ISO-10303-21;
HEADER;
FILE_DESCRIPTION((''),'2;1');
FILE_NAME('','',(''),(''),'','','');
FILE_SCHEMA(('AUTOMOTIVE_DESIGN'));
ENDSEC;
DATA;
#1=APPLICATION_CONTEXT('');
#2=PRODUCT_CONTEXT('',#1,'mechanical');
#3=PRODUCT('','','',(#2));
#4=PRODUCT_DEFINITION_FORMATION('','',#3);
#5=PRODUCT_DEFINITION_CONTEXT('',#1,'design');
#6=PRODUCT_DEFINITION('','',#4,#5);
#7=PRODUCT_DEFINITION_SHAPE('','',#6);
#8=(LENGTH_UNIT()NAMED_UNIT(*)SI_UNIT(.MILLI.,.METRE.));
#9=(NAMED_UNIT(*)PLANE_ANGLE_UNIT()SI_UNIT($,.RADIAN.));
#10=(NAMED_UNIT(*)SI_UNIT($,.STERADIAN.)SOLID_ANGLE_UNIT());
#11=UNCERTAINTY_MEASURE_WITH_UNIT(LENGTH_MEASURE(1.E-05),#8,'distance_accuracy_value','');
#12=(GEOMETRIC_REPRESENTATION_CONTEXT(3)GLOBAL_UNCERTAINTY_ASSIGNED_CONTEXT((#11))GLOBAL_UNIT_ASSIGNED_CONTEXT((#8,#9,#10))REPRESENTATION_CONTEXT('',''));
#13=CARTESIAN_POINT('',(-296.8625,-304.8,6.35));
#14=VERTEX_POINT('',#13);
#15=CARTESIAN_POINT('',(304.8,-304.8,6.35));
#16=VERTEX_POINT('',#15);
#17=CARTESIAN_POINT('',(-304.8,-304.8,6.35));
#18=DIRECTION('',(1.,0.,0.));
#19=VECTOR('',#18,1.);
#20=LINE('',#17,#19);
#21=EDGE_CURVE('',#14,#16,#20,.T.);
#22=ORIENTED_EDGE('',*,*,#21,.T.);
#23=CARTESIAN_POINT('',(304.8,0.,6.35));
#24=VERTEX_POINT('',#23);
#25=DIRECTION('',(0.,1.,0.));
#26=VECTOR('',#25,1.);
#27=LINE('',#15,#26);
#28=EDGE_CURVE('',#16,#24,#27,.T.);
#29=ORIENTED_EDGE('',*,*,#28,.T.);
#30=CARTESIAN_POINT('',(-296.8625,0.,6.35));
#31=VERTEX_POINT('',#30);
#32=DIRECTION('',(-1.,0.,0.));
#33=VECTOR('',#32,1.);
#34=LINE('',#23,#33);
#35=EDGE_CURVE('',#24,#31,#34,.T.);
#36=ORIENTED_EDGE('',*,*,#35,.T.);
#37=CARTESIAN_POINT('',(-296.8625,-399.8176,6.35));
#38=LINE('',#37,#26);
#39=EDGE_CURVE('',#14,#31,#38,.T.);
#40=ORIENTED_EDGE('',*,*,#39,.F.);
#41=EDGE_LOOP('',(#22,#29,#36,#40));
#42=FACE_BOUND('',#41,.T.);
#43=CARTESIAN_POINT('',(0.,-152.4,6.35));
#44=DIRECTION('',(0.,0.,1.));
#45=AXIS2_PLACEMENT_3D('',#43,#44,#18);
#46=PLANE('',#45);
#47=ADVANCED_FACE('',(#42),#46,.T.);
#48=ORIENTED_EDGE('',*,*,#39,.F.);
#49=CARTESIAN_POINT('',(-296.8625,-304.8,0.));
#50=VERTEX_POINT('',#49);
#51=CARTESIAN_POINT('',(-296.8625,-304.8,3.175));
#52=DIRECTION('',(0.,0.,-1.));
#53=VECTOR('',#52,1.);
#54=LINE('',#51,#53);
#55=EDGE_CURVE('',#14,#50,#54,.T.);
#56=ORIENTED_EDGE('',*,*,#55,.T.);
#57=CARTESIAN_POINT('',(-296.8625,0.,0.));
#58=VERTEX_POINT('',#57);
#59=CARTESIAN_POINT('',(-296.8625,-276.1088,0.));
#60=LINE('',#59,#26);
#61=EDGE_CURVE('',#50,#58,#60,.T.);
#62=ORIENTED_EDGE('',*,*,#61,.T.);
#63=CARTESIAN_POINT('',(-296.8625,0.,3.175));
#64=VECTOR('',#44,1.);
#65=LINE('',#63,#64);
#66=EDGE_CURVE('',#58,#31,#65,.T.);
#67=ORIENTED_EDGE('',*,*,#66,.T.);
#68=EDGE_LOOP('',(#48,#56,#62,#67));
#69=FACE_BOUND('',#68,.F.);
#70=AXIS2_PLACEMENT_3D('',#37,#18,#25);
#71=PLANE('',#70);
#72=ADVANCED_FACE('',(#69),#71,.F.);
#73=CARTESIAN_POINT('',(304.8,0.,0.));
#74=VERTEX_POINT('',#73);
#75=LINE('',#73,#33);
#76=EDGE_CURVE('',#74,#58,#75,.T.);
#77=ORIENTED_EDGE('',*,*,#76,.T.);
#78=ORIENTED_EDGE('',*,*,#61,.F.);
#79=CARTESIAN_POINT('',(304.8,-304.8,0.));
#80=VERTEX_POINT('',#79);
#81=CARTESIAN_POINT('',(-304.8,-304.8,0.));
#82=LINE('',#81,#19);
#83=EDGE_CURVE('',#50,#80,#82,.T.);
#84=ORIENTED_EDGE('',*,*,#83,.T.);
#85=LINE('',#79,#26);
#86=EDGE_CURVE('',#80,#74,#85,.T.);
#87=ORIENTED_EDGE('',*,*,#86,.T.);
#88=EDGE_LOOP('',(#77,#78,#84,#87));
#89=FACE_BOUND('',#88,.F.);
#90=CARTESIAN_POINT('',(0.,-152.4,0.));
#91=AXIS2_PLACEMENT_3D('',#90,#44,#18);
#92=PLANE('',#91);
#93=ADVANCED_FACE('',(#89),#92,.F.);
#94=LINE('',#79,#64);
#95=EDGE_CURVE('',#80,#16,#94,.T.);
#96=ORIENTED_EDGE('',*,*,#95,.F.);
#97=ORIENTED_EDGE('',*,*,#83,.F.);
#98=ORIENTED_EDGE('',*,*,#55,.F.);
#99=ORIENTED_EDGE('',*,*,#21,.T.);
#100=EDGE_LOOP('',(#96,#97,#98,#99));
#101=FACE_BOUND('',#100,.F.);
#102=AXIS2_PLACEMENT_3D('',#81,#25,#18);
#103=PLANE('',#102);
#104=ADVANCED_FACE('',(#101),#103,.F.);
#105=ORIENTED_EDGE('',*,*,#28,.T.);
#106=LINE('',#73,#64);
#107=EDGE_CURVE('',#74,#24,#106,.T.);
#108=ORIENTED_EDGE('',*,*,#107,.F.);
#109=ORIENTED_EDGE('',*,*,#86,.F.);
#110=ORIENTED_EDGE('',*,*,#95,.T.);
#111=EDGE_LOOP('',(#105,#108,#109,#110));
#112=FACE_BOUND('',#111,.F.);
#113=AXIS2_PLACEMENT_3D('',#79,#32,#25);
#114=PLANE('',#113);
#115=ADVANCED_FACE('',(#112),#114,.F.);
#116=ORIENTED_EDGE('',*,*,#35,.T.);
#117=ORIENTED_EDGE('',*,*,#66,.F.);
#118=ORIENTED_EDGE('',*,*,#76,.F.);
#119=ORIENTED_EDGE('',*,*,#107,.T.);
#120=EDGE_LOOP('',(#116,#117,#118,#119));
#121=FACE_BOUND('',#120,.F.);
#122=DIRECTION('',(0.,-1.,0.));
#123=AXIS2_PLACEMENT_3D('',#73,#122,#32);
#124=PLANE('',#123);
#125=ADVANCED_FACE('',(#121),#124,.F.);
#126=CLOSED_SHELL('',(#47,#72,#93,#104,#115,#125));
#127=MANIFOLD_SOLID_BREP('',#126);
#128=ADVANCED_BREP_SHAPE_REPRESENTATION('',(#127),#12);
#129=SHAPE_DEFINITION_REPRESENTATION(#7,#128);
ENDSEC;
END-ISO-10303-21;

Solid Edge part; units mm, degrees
sketch "Sketch1" plane through (0, 0, 0) normal (0, 0, 1) x (1, 0, 0)
  line L0 (-304.8, -304.8) -> (304.8, -304.8)
  line L1 (304.8, -304.8) -> (304.8, 0)
  line L2 (304.8, 0) -> (-304.8, 0)
  line L3 (-304.8, 0) -> (-304.8, -304.8)
  dimension "D1" = 609.6
  dimension "D2" = 304.8
extrude "Protrusion1" add sketch "Sketch1" along normal blind 6.35
extrude "Cutout1" [suppressed]
sketch "Sketch2" plane through (0, -152.4, 6.35) normal (0, 0, 1) x (0, 1, 0)
  line L0 (-247.4176, 296.8625) -> (303.9056, 296.8625)
  dimension "D1" = 7.9375
extrude "Cutout2" cut sketch "Sketch2" against normal through all material side at (-296.9125, -124.156, 6.35)
properties material "Wood, Pine"
